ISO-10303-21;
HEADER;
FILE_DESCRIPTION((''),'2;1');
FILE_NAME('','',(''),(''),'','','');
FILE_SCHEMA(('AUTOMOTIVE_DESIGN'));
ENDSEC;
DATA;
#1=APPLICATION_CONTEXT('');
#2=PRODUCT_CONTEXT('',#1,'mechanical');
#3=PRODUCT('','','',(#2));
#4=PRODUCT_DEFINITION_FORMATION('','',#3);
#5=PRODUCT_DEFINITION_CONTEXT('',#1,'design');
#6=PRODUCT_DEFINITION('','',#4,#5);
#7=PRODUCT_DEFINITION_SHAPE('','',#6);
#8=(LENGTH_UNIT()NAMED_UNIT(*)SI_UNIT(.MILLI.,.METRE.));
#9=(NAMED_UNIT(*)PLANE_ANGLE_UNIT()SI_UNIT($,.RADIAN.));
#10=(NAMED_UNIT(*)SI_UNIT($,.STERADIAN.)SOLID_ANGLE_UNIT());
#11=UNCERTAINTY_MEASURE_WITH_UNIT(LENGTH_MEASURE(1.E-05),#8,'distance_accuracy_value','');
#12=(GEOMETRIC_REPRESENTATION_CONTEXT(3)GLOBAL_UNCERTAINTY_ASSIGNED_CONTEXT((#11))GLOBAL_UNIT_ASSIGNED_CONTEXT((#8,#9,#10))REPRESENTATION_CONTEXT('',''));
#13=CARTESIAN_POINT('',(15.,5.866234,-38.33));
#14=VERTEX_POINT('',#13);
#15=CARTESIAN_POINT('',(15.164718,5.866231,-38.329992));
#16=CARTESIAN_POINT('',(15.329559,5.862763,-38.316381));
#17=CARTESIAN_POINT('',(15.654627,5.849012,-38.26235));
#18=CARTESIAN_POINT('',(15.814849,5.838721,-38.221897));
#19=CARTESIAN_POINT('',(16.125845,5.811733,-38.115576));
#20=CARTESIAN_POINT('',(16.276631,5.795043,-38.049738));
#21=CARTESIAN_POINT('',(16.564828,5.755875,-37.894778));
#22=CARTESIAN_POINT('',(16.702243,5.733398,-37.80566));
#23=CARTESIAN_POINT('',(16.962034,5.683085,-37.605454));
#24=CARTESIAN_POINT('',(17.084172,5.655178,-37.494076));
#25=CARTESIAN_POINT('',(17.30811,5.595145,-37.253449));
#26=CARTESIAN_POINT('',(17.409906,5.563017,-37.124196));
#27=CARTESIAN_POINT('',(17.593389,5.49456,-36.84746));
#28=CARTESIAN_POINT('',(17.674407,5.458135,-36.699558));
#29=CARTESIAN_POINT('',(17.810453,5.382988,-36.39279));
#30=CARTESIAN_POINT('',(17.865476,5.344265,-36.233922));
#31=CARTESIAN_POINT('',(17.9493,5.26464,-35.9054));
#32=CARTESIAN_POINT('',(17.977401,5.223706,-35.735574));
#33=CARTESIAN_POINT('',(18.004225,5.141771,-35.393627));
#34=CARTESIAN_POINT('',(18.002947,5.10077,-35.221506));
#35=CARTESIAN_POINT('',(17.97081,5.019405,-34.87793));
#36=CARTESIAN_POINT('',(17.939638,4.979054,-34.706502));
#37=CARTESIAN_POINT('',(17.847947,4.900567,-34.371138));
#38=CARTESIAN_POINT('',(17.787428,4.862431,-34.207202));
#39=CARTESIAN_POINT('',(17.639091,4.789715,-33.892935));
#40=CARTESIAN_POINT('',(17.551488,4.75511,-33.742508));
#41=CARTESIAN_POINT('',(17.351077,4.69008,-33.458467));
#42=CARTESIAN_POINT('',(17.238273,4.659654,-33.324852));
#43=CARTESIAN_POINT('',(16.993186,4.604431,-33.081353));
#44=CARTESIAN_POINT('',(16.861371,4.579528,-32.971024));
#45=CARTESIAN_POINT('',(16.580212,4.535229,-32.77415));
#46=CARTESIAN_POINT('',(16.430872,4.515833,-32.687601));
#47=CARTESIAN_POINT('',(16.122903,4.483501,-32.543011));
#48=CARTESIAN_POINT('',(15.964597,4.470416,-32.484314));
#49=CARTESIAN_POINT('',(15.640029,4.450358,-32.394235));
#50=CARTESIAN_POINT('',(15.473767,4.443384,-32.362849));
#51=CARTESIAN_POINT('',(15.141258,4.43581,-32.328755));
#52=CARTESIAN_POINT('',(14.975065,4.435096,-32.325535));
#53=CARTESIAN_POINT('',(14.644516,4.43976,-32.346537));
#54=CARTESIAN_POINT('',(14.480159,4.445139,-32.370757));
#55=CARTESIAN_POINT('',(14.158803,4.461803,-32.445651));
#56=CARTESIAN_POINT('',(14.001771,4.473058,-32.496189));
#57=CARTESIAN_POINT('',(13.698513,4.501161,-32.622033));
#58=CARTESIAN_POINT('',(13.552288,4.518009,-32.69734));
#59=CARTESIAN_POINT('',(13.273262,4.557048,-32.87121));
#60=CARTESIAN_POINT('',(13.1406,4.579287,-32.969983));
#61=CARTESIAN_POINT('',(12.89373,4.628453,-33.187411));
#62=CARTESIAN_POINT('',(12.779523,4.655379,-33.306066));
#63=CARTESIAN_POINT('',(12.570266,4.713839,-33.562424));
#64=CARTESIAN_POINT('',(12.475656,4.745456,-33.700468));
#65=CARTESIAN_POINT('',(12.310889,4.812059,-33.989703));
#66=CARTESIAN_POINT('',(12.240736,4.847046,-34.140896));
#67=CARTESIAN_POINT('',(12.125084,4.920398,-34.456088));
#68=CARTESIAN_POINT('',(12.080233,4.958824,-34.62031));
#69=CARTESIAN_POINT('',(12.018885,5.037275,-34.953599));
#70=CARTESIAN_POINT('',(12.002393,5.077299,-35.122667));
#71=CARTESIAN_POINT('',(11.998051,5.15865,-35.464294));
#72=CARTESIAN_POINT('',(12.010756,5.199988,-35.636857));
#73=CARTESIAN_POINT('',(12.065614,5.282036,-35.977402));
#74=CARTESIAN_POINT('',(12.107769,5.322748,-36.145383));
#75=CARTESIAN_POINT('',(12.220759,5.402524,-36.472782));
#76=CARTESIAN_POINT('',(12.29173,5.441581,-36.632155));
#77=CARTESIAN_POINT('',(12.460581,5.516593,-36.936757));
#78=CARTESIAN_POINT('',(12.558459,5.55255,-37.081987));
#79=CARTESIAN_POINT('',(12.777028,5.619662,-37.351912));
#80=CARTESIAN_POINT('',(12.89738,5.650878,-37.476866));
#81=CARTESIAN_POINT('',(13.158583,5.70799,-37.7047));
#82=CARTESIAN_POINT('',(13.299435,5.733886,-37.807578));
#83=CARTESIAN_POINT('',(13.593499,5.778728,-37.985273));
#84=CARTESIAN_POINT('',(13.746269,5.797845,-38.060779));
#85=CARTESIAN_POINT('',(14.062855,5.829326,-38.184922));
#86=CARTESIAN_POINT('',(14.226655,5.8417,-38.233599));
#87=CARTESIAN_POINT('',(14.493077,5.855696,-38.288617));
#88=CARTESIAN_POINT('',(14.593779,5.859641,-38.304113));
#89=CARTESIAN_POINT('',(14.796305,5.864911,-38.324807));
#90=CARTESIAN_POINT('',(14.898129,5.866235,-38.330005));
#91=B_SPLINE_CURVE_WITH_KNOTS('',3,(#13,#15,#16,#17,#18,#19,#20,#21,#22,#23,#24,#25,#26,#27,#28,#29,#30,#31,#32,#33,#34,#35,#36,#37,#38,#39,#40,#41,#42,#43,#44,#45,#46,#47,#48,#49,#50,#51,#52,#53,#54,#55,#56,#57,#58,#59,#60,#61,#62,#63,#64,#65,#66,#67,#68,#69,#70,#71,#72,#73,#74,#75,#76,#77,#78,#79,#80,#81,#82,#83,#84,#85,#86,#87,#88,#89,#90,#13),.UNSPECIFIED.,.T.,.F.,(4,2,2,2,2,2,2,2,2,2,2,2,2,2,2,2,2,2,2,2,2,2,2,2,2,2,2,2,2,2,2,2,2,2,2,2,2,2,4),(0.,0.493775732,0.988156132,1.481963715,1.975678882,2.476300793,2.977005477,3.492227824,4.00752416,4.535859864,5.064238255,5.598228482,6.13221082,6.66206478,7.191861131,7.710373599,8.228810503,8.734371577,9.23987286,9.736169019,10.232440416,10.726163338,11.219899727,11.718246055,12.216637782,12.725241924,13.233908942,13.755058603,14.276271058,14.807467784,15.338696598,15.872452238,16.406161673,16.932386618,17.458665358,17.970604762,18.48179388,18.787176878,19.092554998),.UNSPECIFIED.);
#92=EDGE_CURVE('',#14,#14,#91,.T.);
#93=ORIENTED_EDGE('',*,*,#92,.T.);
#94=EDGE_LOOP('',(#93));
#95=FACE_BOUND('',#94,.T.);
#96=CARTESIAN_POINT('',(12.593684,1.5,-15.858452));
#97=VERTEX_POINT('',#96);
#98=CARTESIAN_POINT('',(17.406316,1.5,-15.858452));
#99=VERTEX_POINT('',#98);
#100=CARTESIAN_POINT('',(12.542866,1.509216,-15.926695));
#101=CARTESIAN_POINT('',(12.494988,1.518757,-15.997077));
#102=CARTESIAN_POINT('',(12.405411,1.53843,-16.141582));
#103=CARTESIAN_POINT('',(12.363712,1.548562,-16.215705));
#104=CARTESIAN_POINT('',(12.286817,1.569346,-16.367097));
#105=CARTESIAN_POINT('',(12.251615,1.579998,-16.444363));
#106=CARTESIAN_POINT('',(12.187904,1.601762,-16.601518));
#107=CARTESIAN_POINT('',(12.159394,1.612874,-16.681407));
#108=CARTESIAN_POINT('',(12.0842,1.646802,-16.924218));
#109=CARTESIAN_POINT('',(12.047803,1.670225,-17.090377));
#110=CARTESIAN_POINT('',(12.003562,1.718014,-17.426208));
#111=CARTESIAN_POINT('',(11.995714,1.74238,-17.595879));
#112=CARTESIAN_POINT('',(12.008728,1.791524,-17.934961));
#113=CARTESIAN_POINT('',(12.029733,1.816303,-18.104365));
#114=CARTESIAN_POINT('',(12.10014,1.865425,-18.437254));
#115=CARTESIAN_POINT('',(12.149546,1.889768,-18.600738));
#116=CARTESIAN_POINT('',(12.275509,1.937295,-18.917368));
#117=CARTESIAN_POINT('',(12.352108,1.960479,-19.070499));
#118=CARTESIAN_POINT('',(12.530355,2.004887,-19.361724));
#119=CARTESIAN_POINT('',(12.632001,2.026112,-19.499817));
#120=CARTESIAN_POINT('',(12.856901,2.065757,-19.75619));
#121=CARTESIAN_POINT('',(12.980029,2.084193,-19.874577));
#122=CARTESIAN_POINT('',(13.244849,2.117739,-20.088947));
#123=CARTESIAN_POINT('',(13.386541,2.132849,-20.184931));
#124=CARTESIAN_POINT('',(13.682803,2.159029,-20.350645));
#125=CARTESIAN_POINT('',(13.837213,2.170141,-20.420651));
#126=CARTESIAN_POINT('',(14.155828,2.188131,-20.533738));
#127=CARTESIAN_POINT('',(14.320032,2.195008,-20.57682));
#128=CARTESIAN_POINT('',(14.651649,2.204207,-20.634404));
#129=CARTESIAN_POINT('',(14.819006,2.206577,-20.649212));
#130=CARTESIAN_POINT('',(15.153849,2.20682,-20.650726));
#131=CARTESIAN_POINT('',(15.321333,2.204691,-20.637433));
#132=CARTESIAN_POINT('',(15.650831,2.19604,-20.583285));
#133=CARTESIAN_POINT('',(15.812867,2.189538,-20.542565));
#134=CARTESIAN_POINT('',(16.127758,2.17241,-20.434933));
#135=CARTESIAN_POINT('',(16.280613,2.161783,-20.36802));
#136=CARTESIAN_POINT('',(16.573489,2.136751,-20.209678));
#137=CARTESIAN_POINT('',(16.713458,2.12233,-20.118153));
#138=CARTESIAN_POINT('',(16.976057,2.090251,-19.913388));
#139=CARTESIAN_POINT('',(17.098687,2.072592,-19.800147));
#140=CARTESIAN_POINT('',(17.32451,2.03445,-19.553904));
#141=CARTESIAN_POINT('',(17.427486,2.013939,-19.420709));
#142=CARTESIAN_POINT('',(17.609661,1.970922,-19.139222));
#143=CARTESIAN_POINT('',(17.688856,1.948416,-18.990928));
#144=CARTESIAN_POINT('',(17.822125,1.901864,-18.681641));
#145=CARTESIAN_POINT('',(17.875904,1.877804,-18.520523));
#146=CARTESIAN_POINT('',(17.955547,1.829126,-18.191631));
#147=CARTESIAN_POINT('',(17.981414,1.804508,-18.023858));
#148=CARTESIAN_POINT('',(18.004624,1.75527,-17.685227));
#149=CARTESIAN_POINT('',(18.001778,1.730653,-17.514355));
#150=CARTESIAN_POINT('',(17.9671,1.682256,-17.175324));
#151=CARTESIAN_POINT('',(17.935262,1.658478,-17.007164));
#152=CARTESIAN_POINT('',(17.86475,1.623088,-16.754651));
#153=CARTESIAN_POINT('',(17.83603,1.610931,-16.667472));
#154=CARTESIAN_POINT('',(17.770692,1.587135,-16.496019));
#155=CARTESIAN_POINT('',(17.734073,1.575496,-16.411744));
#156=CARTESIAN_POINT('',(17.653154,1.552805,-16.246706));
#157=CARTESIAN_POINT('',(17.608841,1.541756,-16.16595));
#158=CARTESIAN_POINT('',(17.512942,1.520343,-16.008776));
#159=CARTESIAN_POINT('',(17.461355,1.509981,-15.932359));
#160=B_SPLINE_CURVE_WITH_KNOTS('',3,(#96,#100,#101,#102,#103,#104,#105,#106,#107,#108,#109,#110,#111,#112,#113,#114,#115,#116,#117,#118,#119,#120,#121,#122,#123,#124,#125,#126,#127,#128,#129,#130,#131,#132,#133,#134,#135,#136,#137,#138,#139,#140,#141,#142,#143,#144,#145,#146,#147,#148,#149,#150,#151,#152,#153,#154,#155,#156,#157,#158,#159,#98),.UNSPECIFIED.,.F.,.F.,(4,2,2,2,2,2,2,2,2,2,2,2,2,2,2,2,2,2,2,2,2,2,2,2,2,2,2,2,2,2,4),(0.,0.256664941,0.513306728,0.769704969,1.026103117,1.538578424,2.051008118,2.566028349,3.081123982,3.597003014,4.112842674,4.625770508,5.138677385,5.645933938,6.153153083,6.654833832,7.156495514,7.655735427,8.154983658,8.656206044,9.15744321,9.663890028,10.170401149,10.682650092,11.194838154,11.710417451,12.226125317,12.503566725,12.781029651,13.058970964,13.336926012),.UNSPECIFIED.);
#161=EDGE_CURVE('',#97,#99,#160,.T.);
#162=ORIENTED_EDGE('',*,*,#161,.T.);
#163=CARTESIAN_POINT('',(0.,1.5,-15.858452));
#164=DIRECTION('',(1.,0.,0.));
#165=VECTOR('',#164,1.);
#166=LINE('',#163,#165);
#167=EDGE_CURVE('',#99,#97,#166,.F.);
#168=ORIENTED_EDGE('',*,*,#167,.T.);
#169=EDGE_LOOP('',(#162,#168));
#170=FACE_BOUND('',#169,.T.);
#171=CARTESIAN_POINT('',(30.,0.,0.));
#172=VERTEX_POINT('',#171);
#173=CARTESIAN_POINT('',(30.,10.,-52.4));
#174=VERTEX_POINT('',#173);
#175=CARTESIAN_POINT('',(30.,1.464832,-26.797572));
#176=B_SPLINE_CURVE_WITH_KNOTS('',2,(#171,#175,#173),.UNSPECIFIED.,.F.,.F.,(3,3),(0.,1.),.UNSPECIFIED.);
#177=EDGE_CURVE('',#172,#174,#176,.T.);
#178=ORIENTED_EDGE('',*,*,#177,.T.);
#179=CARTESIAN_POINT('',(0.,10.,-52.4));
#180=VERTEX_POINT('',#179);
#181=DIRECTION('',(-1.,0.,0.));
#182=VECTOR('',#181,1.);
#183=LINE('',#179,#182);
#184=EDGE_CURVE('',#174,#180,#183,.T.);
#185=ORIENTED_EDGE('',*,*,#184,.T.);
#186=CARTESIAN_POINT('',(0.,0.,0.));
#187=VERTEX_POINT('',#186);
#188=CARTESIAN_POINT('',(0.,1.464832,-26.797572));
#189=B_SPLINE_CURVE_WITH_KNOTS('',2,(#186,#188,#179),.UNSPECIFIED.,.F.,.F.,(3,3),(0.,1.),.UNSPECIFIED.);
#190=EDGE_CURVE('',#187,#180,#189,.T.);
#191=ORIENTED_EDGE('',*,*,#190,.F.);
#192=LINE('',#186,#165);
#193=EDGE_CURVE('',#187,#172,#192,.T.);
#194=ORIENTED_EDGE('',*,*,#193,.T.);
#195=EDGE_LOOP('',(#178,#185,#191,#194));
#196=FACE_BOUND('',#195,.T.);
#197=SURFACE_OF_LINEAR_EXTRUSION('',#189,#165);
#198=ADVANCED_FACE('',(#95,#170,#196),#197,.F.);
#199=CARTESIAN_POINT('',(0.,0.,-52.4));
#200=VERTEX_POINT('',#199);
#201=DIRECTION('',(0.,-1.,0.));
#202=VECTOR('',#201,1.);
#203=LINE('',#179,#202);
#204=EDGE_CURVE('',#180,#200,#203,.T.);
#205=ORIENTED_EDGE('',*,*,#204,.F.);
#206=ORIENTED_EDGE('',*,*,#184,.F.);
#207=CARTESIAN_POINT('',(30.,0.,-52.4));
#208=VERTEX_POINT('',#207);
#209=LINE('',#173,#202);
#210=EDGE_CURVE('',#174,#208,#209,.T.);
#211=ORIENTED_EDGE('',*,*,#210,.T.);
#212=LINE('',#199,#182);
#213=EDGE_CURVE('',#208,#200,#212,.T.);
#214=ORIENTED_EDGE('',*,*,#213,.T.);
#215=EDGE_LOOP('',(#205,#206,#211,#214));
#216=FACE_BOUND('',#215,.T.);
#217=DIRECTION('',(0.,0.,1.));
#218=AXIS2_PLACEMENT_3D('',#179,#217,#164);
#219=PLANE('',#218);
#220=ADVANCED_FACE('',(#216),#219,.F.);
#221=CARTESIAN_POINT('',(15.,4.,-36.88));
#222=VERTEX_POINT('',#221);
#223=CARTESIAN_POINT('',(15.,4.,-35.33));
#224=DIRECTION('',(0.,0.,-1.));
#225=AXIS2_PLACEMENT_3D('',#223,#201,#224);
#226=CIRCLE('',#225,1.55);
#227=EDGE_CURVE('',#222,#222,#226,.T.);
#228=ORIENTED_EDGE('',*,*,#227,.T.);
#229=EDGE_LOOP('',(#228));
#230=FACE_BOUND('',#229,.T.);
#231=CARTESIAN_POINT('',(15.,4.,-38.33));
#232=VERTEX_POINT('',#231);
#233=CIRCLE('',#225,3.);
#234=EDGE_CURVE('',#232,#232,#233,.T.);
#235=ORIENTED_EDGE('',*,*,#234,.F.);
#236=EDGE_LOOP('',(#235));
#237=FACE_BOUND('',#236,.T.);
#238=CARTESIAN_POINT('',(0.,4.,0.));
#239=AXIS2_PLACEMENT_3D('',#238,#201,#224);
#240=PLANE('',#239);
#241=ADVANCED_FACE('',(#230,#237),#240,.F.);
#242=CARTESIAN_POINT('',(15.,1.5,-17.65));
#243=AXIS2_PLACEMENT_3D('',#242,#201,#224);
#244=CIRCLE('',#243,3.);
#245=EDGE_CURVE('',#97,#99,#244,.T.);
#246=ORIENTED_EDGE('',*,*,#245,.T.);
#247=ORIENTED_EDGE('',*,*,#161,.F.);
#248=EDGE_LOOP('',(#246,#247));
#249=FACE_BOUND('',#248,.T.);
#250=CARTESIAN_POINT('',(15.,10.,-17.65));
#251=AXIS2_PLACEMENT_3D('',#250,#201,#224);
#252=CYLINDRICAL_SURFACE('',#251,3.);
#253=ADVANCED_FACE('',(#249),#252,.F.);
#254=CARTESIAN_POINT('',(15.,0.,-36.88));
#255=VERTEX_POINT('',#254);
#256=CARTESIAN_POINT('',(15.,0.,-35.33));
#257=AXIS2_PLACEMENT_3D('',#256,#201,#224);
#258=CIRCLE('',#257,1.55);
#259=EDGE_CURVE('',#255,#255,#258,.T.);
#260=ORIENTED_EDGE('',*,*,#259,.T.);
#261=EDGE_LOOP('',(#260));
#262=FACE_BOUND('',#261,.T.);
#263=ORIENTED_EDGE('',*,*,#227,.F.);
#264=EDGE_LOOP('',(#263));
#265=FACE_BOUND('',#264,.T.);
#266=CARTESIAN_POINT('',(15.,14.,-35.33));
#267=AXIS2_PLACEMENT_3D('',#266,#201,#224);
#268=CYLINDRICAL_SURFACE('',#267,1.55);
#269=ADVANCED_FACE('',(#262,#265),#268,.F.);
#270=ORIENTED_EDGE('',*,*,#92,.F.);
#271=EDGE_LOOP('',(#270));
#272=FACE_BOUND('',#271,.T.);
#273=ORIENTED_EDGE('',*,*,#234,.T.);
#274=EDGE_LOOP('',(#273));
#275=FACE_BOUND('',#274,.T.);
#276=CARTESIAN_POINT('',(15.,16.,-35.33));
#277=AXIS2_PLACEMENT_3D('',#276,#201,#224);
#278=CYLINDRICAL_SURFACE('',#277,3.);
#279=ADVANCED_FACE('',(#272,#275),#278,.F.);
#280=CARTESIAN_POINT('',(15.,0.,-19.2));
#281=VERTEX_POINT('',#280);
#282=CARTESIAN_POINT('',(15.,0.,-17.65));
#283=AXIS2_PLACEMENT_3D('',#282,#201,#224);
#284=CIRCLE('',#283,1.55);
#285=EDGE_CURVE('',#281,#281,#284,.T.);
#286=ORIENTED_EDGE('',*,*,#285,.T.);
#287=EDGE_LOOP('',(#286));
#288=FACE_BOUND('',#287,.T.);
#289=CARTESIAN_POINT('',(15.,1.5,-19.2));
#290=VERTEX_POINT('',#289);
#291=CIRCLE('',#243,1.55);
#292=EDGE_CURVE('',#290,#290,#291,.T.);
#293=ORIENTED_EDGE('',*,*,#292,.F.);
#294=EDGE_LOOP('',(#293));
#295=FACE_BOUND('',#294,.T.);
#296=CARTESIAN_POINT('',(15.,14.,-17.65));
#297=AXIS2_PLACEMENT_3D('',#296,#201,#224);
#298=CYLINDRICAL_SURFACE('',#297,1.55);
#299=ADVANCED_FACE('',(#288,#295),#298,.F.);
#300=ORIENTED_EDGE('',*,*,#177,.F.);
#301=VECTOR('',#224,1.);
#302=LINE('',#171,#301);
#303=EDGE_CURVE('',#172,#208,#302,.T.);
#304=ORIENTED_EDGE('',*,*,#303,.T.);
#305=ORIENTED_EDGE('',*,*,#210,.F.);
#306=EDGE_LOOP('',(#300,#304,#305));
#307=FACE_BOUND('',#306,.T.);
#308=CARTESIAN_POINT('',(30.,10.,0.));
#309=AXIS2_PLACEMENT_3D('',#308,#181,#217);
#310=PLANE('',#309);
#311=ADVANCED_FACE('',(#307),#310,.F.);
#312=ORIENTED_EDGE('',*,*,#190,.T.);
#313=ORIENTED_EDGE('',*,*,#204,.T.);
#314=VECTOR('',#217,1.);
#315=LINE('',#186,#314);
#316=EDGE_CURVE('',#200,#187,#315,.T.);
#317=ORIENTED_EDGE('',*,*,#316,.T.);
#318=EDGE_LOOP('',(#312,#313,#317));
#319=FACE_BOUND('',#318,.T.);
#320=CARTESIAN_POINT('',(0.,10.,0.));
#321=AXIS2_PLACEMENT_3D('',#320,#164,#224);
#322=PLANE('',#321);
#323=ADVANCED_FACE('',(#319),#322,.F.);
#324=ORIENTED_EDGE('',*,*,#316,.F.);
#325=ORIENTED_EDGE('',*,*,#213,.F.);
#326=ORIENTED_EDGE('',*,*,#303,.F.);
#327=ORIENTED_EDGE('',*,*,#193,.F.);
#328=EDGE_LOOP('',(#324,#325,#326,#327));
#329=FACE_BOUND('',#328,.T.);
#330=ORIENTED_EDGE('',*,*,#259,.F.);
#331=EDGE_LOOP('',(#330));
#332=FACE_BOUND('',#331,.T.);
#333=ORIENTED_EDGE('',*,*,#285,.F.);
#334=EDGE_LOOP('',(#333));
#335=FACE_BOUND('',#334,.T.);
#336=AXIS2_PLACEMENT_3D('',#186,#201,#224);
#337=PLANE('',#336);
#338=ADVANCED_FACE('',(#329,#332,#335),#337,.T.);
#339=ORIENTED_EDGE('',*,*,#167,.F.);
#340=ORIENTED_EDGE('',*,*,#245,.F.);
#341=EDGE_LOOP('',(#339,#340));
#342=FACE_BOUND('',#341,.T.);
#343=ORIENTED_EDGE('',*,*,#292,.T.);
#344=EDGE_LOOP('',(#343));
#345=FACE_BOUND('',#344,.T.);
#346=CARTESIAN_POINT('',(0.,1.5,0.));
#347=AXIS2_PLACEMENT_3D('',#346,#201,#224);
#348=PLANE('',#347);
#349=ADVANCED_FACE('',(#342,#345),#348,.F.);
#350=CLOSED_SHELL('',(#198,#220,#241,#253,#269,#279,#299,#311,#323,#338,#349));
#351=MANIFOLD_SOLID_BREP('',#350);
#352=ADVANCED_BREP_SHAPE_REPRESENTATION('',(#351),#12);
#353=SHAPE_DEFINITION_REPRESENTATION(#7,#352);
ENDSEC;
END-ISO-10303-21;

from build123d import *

# Parameters (mm, degrees)
SKETCH1_W           = 30
SKETCH1_H           = 52.4
BOSS_EXTRUDE1_DEPTH = 10
CUT_EXTRUDE1_DEPTH  = 30
SKETCH3_R           = 1.55
CUT_EXTRUDE2_DEPTH  = 14
CUT_EXTRUDE3_START  = -4
SKETCH3_4_R         = 3
SKETCH3_4_R_2       = 1.55
CUT_EXTRUDE3_DEPTH  = 12
CUT_EXTRUDE4_START  = -1.5
SKETCH3_7_R         = 3
SKETCH3_7_R_2       = 1.55
CUT_EXTRUDE4_DEPTH  = 60.702614474


with BuildPart() as part:
    # Sketch1 → Boss-Extrude1 (new body)
    with BuildSketch(Plane(origin=(0, 0, 0), x_dir=(1, 0, 0), z_dir=(0, 1, 0))):
        with Locations((15, 26.2)):
            Rectangle(SKETCH1_W, SKETCH1_H)
    extrude(amount=BOSS_EXTRUDE1_DEPTH)

    # Sketch2 → Cut-Extrude1 (cut)
    with BuildSketch(Plane(origin=(30, 0, 0), x_dir=(0, 0, -1), z_dir=(1, 0, 0))):
        with BuildLine():
            Line((52.4, 10), (0, 10))
            Line((0, 10), (0, 0))
            add(Edge.make_bspline(
                [(52.4, 10), (26.797572393, 1.464832173), (0, 0)],
                knots=[0, 0, 0, 1, 1, 1], degree=2))
        make_face()
    extrude(amount=-CUT_EXTRUDE1_DEPTH, mode=Mode.SUBTRACT)

    # Sketch3 → Cut-Extrude2 (cut)
    with BuildSketch(Plane(origin=(0, 0, 0), x_dir=(-1, 0, 0), z_dir=(0, -1, 0))):
        with Locations((-15, 35.33)):
            Circle(SKETCH3_R)
        with Locations((-15, 17.65)):
            Circle(SKETCH3_R)
    extrude(amount=-CUT_EXTRUDE2_DEPTH, mode=Mode.SUBTRACT)

    # Sketch3<4> → Cut-Extrude3 (cut)
    with BuildSketch(Plane(origin=(0, 0, 0), x_dir=(-1, 0, 0), z_dir=(0, -1, 0)).offset(CUT_EXTRUDE3_START)):
        with Locations((-15, 35.33)):
            Circle(SKETCH3_4_R)
        with Locations((-15, 35.33)):
            Circle(SKETCH3_4_R_2, mode=Mode.SUBTRACT)
    extrude(amount=-CUT_EXTRUDE3_DEPTH, mode=Mode.SUBTRACT)

    # Sketch3<7> → Cut-Extrude4 (cut, through all)
    with BuildSketch(Plane(origin=(0, 0, 0), x_dir=(-1, 0, 0), z_dir=(0, -1, 0)).offset(CUT_EXTRUDE4_START)):
        with Locations((-15, 17.65)):
            Circle(SKETCH3_7_R)
        with Locations((-15, 17.65)):
            Circle(SKETCH3_7_R_2, mode=Mode.SUBTRACT)
    extrude(amount=-CUT_EXTRUDE4_DEPTH, mode=Mode.SUBTRACT)


solid = part.part
